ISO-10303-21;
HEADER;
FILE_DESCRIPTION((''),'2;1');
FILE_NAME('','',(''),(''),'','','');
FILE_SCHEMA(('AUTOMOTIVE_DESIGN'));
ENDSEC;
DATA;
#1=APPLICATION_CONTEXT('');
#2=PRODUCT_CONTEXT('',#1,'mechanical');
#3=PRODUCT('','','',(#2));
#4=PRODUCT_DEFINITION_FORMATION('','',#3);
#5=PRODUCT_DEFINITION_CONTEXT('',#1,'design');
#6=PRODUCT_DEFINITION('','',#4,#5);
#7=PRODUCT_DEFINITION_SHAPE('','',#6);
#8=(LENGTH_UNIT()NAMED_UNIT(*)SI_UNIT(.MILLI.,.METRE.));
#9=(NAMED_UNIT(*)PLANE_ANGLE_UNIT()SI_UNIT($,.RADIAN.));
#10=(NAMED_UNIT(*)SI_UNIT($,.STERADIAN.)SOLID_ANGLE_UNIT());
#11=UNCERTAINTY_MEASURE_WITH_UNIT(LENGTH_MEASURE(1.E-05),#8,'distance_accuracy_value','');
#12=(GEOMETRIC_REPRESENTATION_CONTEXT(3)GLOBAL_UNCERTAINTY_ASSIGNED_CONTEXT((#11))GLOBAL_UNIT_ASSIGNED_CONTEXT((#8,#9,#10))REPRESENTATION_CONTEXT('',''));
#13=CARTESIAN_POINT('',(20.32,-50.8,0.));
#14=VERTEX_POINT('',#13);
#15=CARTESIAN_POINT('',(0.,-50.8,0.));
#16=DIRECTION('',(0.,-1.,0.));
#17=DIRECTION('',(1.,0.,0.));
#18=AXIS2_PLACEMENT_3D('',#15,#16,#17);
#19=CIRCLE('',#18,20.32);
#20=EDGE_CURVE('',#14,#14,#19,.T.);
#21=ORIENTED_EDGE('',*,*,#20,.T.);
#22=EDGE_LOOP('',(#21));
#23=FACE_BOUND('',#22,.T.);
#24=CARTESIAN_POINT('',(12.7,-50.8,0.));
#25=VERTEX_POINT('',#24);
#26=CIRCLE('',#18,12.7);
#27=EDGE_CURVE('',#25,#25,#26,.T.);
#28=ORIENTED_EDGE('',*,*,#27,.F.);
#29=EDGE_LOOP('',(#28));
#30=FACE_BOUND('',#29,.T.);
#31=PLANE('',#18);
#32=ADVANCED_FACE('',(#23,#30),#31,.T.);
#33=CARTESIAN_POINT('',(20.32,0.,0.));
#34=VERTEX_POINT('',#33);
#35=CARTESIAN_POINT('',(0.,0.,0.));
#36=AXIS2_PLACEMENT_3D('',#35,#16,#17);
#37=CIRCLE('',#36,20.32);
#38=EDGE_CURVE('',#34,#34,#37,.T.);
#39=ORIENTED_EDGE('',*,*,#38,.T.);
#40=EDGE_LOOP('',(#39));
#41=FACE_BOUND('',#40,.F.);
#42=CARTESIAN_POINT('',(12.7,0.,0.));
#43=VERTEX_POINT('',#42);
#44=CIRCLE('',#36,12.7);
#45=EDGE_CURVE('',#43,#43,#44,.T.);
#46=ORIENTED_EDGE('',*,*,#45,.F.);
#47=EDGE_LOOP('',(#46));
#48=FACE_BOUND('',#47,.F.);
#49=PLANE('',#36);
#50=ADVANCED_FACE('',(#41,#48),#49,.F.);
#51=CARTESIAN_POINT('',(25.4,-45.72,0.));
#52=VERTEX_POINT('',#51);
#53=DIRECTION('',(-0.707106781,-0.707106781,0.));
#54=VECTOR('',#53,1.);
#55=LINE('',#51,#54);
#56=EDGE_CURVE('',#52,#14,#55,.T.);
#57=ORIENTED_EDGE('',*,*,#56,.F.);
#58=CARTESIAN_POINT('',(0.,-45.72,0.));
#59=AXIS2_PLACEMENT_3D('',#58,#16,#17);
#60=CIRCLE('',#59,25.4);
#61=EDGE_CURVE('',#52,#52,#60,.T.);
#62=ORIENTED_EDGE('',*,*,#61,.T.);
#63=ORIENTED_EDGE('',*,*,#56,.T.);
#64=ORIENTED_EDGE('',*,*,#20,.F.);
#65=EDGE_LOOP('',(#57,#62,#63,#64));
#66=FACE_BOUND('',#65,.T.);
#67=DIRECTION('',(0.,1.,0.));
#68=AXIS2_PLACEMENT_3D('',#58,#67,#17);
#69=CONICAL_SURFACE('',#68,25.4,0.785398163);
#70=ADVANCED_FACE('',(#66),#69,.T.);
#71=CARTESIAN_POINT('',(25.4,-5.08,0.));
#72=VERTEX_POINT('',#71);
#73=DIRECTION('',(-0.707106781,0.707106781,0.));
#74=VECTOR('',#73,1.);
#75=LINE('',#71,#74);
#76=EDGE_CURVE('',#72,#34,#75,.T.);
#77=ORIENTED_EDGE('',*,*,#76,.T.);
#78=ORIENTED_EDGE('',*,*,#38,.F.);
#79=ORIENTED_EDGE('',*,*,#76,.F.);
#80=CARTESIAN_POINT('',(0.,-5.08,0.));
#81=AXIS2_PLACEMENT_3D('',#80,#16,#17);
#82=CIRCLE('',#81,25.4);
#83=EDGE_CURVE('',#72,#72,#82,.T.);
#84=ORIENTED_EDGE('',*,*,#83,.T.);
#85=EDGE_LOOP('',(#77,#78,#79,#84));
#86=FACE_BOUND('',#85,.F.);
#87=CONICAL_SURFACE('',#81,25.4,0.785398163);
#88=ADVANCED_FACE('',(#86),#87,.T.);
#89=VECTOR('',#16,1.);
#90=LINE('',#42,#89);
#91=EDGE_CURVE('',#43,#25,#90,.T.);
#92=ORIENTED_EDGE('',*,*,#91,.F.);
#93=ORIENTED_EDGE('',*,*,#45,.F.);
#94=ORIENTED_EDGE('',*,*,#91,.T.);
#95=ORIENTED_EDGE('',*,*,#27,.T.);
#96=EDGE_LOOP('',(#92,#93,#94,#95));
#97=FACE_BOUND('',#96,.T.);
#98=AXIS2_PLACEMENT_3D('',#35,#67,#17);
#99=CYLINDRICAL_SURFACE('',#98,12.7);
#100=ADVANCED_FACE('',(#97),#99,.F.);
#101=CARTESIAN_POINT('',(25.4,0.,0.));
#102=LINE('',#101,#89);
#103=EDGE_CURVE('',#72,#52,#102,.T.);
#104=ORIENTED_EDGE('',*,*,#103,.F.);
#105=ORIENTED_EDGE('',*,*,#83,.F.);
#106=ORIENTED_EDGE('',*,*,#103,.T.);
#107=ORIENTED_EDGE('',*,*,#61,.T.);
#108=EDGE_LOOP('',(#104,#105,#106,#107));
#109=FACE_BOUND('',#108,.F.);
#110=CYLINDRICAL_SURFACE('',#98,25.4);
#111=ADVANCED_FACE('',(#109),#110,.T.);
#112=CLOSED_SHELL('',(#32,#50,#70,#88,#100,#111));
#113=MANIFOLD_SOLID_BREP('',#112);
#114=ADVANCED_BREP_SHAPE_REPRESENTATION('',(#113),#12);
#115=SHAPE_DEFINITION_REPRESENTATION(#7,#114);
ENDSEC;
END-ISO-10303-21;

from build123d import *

# Parameters (mm, degrees)
F0_R     = 25.4
F1_DEPTH = 50.8
F2_SIZE  = 5.08
F3_SIZE  = 5.08
F4_R     = 12.7
F5_DEPTH = 50.8


with BuildPart() as f1:
    # F0 (on Front) → F1 (new body)
    with BuildSketch(Plane.XZ):
        Circle(F0_R)
    extrude(amount=F1_DEPTH)

    # F2
    f2_edges = [f1.edges().sort_by_distance(p)[0] for p in [
        (-25.4, -50.8, 0),
    ]]
    chamfer(f2_edges, length=F2_SIZE)

    # F3
    f3_edges = [f1.edges().sort_by_distance(p)[0] for p in [
        (-25.4, 0, 0),
    ]]
    chamfer(f3_edges, length=F3_SIZE)

    # F4 (on Front) → F5 (cut)
    with BuildSketch(Plane.XZ):
        Circle(F4_R)
    extrude(amount=F5_DEPTH, mode=Mode.SUBTRACT)


solid = f1.part
